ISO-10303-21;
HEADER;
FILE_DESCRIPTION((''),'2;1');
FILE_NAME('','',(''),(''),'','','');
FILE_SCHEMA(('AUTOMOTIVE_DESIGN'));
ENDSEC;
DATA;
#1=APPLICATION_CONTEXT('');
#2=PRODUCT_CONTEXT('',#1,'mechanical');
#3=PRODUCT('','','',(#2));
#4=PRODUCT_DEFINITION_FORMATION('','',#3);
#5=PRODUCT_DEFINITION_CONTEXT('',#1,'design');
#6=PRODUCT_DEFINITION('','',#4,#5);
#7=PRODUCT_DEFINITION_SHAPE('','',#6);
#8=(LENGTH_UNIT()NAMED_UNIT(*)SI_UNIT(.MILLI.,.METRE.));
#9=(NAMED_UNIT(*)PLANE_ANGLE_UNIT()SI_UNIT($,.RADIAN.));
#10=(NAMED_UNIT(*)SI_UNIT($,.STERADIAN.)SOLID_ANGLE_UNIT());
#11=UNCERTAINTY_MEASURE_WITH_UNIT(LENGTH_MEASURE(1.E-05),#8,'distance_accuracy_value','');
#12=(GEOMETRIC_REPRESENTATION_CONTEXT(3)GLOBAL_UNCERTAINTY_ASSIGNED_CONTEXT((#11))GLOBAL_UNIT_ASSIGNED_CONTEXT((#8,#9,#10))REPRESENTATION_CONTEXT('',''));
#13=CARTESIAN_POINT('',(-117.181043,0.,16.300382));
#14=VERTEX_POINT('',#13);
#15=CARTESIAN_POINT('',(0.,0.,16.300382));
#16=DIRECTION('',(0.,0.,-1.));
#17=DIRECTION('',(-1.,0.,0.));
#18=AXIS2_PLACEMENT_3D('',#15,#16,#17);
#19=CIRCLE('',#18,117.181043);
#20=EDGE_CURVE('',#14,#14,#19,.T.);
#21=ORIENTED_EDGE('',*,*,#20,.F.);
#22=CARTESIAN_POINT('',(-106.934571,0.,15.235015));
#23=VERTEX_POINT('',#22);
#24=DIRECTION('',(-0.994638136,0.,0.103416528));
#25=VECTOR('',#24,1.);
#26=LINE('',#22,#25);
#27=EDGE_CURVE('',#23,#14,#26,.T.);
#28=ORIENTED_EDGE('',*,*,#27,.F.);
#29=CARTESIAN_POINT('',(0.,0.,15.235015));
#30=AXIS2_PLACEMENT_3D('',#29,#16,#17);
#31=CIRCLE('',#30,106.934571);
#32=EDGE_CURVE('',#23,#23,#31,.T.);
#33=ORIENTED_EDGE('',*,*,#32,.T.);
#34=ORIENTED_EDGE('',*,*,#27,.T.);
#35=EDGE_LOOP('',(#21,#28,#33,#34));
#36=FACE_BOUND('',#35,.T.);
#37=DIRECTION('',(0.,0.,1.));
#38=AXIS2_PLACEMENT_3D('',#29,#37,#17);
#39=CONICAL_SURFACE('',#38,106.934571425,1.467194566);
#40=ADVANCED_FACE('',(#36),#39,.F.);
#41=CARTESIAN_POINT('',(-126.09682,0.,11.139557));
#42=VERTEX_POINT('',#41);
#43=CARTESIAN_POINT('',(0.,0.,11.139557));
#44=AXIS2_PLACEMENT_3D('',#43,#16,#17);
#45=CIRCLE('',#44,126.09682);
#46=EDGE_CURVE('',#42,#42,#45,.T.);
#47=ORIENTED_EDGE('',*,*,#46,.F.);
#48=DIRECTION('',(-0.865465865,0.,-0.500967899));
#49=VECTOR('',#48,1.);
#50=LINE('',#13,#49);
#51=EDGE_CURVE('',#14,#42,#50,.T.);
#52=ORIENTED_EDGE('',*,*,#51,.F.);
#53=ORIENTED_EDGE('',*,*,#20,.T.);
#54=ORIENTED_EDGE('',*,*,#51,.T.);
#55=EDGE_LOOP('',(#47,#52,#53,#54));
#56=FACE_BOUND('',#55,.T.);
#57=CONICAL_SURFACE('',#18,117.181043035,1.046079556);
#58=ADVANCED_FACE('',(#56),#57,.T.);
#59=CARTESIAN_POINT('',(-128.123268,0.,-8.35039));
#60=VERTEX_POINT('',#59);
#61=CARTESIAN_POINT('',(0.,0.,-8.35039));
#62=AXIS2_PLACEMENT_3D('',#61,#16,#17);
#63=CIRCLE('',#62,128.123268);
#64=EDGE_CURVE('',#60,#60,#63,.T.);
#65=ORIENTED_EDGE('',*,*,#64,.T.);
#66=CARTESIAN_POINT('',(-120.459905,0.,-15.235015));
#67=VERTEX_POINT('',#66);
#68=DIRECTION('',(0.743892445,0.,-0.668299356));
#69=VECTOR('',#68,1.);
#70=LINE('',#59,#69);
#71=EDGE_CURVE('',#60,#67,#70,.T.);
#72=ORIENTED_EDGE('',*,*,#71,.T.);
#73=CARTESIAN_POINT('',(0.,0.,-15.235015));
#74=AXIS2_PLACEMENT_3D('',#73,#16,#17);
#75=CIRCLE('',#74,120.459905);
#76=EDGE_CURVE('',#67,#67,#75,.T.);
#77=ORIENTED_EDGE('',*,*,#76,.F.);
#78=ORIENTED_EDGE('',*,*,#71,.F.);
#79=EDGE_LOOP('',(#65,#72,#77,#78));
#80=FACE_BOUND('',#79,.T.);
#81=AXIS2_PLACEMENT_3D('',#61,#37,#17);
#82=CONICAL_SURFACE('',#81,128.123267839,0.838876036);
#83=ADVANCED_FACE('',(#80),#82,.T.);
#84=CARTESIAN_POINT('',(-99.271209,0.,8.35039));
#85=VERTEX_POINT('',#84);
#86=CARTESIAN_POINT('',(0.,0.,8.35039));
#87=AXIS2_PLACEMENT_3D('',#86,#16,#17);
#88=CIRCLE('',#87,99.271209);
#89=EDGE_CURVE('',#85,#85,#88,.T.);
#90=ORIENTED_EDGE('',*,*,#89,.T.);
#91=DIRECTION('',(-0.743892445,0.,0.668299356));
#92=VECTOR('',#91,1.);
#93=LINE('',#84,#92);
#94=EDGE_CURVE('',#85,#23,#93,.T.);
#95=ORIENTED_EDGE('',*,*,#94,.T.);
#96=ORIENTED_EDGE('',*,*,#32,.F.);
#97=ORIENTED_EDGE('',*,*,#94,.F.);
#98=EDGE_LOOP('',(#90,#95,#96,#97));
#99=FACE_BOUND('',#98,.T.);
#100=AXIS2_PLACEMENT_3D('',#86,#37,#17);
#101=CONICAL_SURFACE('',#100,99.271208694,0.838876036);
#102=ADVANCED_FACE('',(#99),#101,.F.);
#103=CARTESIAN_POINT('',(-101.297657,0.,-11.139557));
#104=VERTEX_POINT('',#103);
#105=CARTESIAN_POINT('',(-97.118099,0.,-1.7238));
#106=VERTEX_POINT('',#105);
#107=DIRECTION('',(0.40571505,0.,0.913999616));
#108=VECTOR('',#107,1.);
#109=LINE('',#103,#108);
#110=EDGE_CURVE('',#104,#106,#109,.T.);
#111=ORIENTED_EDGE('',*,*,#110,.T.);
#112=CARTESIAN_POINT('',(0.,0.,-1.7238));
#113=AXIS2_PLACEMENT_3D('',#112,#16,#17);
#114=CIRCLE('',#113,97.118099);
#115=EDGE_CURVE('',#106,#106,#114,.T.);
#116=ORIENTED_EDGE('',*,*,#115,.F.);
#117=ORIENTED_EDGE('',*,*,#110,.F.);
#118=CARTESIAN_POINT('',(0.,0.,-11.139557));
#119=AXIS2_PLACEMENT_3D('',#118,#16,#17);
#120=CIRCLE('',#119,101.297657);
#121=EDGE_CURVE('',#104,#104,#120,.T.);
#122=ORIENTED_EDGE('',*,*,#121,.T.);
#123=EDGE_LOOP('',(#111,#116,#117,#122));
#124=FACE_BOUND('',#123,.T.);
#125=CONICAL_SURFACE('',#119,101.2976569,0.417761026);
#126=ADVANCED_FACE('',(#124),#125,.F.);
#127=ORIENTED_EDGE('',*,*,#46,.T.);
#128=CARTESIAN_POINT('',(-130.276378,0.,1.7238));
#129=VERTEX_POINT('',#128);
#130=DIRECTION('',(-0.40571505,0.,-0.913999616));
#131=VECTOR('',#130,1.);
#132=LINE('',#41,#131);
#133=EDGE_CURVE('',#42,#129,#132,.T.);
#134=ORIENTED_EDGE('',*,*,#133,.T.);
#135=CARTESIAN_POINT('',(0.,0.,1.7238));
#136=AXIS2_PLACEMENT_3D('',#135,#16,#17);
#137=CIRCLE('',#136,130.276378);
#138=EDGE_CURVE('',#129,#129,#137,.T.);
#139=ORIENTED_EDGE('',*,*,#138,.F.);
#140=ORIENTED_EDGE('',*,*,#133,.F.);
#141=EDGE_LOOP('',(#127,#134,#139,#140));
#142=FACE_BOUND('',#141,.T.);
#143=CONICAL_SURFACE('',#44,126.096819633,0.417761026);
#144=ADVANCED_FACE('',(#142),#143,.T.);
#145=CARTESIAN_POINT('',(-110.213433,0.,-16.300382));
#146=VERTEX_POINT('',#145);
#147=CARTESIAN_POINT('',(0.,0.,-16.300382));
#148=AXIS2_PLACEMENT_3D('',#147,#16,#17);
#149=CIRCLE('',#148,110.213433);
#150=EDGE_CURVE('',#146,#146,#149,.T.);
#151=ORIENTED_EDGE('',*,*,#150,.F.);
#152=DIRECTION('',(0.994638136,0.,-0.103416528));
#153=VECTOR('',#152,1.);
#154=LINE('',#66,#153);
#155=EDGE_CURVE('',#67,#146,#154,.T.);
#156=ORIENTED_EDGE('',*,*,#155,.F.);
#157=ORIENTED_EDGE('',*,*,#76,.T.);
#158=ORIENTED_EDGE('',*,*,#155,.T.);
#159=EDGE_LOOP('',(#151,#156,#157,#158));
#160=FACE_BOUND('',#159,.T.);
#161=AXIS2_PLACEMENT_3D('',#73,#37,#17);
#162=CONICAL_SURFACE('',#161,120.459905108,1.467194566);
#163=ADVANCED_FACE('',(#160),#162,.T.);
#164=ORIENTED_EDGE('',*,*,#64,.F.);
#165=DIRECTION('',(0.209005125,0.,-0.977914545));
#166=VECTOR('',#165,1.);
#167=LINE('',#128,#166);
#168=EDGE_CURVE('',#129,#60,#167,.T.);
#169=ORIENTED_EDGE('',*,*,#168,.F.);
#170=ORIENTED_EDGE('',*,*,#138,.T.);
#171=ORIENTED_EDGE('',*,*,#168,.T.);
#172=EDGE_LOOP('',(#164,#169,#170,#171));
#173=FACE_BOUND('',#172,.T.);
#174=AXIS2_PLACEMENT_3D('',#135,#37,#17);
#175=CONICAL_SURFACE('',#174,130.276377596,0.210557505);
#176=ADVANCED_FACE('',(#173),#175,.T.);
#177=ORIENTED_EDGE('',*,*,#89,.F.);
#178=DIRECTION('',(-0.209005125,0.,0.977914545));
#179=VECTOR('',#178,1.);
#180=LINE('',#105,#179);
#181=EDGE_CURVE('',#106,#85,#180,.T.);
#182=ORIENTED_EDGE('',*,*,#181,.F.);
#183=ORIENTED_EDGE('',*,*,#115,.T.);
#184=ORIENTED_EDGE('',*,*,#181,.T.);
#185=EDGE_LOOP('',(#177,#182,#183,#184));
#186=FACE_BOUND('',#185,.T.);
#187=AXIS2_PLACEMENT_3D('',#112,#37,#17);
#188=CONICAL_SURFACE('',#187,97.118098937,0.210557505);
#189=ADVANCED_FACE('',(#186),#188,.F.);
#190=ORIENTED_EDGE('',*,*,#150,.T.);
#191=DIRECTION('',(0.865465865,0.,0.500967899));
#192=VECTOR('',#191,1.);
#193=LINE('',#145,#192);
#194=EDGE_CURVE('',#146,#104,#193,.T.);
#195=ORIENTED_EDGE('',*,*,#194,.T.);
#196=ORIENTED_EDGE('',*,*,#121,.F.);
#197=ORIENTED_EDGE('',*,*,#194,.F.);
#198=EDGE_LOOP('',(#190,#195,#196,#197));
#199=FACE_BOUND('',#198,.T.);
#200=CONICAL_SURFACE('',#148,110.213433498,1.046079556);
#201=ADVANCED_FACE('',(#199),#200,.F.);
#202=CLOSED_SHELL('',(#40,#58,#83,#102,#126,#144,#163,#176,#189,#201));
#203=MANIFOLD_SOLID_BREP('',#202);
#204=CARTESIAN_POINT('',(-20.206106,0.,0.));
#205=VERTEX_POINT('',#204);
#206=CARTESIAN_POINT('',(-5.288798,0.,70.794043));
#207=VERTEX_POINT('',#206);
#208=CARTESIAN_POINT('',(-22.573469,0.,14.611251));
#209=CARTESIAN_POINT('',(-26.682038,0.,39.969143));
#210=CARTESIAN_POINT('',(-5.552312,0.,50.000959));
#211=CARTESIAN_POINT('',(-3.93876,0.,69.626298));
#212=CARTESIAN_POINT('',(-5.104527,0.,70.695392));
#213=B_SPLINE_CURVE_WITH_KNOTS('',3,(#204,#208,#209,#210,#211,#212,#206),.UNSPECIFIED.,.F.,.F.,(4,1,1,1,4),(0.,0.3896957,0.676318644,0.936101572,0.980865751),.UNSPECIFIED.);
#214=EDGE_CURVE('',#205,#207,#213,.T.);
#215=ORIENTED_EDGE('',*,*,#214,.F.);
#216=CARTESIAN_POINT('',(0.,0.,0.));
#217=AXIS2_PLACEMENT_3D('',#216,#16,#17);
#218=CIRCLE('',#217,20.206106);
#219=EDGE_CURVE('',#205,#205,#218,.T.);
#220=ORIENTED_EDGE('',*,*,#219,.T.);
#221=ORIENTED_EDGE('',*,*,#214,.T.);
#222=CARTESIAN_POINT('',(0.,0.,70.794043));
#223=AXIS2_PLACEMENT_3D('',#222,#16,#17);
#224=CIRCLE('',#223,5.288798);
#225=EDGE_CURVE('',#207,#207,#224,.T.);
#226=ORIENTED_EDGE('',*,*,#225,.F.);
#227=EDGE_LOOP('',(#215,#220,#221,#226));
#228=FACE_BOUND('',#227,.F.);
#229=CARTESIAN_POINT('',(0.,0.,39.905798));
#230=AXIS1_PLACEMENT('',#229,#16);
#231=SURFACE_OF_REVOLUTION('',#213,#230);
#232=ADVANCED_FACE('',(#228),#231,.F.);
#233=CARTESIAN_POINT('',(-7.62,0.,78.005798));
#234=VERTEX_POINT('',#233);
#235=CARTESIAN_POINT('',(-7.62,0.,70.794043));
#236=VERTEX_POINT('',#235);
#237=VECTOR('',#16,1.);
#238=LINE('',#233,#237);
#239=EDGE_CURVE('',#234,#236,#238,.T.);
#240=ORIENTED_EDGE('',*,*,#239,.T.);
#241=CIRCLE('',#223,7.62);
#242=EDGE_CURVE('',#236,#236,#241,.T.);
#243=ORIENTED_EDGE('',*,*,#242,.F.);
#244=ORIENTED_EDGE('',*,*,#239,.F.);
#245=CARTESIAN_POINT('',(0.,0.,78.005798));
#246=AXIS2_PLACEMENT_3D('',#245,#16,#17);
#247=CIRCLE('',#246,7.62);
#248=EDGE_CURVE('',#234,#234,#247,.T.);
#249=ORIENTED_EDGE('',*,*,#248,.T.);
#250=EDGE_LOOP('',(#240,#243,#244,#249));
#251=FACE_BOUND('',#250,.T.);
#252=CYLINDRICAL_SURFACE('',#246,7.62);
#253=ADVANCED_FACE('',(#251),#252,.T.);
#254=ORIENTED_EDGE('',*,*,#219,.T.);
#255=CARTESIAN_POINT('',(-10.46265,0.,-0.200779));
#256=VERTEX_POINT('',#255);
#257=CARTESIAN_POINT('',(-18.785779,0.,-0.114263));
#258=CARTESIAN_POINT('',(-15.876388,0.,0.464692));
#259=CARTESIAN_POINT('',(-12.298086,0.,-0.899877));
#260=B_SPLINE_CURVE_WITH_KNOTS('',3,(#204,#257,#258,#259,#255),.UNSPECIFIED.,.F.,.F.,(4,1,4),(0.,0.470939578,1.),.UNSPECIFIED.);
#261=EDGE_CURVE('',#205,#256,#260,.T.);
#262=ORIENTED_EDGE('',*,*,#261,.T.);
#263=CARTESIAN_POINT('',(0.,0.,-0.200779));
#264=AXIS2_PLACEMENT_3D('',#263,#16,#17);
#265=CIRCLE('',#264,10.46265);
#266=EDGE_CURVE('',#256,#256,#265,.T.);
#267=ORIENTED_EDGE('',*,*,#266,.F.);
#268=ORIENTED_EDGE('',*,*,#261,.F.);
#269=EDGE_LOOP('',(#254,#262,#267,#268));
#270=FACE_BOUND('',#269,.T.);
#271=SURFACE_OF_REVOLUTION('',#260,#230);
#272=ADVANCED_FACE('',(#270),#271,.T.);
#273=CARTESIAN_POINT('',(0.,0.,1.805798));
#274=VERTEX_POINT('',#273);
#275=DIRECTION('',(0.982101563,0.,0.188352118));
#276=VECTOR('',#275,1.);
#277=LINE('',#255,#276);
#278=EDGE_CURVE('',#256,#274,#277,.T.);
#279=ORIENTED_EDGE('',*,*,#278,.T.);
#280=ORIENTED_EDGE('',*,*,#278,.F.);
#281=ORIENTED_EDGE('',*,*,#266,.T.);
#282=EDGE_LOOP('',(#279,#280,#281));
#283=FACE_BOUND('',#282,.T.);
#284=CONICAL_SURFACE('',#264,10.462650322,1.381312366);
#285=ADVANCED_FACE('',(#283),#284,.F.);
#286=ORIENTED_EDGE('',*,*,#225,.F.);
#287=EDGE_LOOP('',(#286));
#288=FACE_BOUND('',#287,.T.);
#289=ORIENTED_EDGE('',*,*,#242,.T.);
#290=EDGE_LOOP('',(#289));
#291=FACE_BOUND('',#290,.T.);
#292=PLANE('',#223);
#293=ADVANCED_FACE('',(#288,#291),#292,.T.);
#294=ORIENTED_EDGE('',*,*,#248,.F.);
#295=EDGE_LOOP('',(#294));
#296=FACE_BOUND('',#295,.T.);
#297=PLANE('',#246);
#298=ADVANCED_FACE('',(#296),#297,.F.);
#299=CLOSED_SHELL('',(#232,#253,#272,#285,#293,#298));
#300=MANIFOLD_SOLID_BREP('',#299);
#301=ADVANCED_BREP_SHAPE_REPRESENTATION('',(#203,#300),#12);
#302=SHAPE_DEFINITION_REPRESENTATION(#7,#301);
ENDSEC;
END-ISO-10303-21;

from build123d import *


with BuildPart() as f2:
    # F1 (on Front) → F2 (revolve)
    with BuildSketch(Plane.XZ):
        with BuildLine():
            add(Edge.make_bspline(
                [(-20.2061062144, 0), (-22.5734689299, 14.6112508726), (-26.6820375906, 39.9691426034), (-5.5523124358, 50.0009591615), (-3.9387598042, 69.6262983032), (-5.1045268818, 70.6953924398), (-5.2887980974, 70.7940426392)],
                knots=[0, 0, 0, 0, 0.3896957001, 0.6763186435, 0.9361015718, 0.9808657513, 0.9808657513, 0.9808657513, 0.9808657513], degree=3))
            add(Edge.make_bspline(
                [(-20.2061062144, 0), (-18.7857794121, -0.1142634705), (-15.8763879892, 0.4646922615), (-12.2980860209, -0.8998767802), (-10.4626503224, -0.2007785334)],
                knots=[0, 0, 0, 0, 0.4709395779, 1, 1, 1, 1], degree=3))
            Line((-10.4626503224, -0.2007785334), (0, 1.8057984016))
            Line((0, 1.8057984016), (0, 78.0057984016))
            Line((0, 78.0057984016), (-7.62, 78.0057984016))
            Line((-7.62, 78.0057984016), (-7.62, 70.7940426392))
            Line((-7.62, 70.7940426392), (-5.2887980974, 70.7940426392))
        make_face()
    revolve(axis=Axis((0, 0, 39.9057984016), (0, 0, -1)))


with BuildPart() as f3:
    # F0 (on Front) → F3 (revolve)
    with BuildSketch(Plane.XZ):
        Polygon((-110.2134334981, -16.3003819282), (-101.2976568997, -11.13955693), (-97.1180989371, -1.7237998042), (-99.2712086941, 8.350390257), (-106.934571425, 15.2350150594), (-117.1810430348, 16.3003819282), (-126.0968196332, 11.13955693), (-130.2763775958, 1.7237998042), (-128.1232678388, -8.350390257), (-120.4599051079, -15.2350150594), align=None)
    revolve(axis=Axis((0, 0, -0.4838183522), (0, 0, -1)))


solid = Compound([f2.part, f3.part])
